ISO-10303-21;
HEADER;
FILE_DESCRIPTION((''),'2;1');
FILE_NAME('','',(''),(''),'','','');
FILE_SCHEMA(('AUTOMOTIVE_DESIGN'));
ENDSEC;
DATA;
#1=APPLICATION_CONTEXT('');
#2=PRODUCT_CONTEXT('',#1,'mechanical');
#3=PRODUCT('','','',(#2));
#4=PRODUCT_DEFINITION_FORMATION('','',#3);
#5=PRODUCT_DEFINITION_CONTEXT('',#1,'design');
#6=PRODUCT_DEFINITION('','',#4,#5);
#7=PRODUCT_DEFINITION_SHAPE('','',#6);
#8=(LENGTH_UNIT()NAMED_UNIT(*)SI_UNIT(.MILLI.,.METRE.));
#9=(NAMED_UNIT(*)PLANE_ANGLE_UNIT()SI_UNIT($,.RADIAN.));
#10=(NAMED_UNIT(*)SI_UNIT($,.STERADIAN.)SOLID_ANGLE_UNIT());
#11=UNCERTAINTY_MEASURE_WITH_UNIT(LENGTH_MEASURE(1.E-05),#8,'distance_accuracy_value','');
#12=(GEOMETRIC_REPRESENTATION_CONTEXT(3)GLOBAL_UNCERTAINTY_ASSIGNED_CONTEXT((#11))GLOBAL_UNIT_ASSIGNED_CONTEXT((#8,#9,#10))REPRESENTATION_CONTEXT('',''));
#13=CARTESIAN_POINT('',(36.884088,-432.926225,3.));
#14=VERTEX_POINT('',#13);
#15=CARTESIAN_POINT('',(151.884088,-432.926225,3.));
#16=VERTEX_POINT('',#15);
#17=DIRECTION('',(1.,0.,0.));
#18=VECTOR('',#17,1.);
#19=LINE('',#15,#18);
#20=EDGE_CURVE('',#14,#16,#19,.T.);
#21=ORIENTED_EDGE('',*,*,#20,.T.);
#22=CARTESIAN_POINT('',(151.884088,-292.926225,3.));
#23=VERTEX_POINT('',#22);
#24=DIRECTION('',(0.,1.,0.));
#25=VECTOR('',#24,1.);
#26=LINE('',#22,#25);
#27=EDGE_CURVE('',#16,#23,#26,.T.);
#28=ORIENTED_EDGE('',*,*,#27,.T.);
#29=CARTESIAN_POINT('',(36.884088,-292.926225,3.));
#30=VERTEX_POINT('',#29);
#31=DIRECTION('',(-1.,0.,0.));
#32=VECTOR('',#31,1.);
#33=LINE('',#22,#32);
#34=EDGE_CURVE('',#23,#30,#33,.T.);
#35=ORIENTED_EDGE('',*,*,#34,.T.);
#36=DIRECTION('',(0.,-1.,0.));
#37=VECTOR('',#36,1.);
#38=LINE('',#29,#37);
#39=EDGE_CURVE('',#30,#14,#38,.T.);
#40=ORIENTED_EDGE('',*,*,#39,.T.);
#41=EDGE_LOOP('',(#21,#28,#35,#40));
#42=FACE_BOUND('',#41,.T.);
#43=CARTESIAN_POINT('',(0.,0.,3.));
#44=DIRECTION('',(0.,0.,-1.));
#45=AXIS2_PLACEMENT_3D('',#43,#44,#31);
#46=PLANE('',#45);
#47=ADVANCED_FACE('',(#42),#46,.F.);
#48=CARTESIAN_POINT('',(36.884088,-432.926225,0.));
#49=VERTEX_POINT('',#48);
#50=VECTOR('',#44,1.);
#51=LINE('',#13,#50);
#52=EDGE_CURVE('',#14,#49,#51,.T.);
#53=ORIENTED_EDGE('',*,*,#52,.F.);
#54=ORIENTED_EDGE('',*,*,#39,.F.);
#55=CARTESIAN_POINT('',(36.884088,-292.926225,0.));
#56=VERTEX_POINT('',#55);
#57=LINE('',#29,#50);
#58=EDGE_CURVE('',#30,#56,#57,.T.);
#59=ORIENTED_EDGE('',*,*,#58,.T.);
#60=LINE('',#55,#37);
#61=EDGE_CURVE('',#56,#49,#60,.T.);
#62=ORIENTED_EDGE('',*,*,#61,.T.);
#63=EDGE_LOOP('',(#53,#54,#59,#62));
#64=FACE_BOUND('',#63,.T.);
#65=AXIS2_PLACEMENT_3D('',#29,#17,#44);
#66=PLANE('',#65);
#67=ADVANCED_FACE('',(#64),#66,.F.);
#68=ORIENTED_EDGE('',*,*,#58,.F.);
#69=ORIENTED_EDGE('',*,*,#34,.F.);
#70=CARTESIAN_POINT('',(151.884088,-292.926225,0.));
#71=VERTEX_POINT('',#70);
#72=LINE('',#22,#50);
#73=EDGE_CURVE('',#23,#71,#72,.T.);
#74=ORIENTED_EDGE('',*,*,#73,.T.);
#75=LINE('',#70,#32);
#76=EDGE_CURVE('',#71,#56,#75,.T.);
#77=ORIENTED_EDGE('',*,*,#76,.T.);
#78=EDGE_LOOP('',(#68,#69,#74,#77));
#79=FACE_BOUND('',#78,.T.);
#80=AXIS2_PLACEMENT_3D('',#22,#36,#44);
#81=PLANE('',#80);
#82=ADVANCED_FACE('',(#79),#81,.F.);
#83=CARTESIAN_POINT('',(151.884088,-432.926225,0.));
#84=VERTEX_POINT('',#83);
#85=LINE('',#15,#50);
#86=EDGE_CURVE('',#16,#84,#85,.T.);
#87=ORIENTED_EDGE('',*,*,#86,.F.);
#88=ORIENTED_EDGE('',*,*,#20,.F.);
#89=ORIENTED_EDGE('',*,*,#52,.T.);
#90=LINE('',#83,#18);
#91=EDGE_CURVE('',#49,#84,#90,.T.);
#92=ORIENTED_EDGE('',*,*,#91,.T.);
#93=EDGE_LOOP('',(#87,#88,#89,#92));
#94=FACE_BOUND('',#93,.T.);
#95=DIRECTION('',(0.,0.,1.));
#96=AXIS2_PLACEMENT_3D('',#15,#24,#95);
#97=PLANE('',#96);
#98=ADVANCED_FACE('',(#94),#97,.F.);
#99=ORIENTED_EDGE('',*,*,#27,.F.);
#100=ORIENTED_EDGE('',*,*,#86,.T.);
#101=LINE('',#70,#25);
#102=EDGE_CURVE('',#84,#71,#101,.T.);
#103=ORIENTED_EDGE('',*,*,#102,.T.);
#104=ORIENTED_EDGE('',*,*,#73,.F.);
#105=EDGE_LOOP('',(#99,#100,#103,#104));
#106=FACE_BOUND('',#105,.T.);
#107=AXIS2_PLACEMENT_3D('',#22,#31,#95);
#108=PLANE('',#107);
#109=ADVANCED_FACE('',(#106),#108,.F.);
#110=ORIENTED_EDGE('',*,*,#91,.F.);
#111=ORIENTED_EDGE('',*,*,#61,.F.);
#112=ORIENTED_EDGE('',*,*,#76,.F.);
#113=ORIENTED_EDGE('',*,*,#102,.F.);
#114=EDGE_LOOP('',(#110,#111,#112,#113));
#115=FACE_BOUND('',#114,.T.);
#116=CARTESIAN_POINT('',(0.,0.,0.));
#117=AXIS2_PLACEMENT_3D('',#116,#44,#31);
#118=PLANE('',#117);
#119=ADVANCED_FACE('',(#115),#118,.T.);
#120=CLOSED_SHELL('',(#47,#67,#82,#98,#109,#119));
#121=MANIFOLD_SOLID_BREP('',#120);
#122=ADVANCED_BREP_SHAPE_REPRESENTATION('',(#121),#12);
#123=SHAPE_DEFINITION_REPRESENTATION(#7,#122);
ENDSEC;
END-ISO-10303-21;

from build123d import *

# Parameters (mm, degrees)
SKETCH2_W           = 115
SKETCH2_H           = 140
BOSS_EXTRUDE1_DEPTH = 3


with BuildPart() as part:
    # Sketch2 → Boss-Extrude1 (new body)
    with BuildSketch(Plane.XY):
        with Locations((94.384088259, -362.926224712)):
            Rectangle(SKETCH2_W, SKETCH2_H)
    extrude(amount=BOSS_EXTRUDE1_DEPTH)


solid = part.part
